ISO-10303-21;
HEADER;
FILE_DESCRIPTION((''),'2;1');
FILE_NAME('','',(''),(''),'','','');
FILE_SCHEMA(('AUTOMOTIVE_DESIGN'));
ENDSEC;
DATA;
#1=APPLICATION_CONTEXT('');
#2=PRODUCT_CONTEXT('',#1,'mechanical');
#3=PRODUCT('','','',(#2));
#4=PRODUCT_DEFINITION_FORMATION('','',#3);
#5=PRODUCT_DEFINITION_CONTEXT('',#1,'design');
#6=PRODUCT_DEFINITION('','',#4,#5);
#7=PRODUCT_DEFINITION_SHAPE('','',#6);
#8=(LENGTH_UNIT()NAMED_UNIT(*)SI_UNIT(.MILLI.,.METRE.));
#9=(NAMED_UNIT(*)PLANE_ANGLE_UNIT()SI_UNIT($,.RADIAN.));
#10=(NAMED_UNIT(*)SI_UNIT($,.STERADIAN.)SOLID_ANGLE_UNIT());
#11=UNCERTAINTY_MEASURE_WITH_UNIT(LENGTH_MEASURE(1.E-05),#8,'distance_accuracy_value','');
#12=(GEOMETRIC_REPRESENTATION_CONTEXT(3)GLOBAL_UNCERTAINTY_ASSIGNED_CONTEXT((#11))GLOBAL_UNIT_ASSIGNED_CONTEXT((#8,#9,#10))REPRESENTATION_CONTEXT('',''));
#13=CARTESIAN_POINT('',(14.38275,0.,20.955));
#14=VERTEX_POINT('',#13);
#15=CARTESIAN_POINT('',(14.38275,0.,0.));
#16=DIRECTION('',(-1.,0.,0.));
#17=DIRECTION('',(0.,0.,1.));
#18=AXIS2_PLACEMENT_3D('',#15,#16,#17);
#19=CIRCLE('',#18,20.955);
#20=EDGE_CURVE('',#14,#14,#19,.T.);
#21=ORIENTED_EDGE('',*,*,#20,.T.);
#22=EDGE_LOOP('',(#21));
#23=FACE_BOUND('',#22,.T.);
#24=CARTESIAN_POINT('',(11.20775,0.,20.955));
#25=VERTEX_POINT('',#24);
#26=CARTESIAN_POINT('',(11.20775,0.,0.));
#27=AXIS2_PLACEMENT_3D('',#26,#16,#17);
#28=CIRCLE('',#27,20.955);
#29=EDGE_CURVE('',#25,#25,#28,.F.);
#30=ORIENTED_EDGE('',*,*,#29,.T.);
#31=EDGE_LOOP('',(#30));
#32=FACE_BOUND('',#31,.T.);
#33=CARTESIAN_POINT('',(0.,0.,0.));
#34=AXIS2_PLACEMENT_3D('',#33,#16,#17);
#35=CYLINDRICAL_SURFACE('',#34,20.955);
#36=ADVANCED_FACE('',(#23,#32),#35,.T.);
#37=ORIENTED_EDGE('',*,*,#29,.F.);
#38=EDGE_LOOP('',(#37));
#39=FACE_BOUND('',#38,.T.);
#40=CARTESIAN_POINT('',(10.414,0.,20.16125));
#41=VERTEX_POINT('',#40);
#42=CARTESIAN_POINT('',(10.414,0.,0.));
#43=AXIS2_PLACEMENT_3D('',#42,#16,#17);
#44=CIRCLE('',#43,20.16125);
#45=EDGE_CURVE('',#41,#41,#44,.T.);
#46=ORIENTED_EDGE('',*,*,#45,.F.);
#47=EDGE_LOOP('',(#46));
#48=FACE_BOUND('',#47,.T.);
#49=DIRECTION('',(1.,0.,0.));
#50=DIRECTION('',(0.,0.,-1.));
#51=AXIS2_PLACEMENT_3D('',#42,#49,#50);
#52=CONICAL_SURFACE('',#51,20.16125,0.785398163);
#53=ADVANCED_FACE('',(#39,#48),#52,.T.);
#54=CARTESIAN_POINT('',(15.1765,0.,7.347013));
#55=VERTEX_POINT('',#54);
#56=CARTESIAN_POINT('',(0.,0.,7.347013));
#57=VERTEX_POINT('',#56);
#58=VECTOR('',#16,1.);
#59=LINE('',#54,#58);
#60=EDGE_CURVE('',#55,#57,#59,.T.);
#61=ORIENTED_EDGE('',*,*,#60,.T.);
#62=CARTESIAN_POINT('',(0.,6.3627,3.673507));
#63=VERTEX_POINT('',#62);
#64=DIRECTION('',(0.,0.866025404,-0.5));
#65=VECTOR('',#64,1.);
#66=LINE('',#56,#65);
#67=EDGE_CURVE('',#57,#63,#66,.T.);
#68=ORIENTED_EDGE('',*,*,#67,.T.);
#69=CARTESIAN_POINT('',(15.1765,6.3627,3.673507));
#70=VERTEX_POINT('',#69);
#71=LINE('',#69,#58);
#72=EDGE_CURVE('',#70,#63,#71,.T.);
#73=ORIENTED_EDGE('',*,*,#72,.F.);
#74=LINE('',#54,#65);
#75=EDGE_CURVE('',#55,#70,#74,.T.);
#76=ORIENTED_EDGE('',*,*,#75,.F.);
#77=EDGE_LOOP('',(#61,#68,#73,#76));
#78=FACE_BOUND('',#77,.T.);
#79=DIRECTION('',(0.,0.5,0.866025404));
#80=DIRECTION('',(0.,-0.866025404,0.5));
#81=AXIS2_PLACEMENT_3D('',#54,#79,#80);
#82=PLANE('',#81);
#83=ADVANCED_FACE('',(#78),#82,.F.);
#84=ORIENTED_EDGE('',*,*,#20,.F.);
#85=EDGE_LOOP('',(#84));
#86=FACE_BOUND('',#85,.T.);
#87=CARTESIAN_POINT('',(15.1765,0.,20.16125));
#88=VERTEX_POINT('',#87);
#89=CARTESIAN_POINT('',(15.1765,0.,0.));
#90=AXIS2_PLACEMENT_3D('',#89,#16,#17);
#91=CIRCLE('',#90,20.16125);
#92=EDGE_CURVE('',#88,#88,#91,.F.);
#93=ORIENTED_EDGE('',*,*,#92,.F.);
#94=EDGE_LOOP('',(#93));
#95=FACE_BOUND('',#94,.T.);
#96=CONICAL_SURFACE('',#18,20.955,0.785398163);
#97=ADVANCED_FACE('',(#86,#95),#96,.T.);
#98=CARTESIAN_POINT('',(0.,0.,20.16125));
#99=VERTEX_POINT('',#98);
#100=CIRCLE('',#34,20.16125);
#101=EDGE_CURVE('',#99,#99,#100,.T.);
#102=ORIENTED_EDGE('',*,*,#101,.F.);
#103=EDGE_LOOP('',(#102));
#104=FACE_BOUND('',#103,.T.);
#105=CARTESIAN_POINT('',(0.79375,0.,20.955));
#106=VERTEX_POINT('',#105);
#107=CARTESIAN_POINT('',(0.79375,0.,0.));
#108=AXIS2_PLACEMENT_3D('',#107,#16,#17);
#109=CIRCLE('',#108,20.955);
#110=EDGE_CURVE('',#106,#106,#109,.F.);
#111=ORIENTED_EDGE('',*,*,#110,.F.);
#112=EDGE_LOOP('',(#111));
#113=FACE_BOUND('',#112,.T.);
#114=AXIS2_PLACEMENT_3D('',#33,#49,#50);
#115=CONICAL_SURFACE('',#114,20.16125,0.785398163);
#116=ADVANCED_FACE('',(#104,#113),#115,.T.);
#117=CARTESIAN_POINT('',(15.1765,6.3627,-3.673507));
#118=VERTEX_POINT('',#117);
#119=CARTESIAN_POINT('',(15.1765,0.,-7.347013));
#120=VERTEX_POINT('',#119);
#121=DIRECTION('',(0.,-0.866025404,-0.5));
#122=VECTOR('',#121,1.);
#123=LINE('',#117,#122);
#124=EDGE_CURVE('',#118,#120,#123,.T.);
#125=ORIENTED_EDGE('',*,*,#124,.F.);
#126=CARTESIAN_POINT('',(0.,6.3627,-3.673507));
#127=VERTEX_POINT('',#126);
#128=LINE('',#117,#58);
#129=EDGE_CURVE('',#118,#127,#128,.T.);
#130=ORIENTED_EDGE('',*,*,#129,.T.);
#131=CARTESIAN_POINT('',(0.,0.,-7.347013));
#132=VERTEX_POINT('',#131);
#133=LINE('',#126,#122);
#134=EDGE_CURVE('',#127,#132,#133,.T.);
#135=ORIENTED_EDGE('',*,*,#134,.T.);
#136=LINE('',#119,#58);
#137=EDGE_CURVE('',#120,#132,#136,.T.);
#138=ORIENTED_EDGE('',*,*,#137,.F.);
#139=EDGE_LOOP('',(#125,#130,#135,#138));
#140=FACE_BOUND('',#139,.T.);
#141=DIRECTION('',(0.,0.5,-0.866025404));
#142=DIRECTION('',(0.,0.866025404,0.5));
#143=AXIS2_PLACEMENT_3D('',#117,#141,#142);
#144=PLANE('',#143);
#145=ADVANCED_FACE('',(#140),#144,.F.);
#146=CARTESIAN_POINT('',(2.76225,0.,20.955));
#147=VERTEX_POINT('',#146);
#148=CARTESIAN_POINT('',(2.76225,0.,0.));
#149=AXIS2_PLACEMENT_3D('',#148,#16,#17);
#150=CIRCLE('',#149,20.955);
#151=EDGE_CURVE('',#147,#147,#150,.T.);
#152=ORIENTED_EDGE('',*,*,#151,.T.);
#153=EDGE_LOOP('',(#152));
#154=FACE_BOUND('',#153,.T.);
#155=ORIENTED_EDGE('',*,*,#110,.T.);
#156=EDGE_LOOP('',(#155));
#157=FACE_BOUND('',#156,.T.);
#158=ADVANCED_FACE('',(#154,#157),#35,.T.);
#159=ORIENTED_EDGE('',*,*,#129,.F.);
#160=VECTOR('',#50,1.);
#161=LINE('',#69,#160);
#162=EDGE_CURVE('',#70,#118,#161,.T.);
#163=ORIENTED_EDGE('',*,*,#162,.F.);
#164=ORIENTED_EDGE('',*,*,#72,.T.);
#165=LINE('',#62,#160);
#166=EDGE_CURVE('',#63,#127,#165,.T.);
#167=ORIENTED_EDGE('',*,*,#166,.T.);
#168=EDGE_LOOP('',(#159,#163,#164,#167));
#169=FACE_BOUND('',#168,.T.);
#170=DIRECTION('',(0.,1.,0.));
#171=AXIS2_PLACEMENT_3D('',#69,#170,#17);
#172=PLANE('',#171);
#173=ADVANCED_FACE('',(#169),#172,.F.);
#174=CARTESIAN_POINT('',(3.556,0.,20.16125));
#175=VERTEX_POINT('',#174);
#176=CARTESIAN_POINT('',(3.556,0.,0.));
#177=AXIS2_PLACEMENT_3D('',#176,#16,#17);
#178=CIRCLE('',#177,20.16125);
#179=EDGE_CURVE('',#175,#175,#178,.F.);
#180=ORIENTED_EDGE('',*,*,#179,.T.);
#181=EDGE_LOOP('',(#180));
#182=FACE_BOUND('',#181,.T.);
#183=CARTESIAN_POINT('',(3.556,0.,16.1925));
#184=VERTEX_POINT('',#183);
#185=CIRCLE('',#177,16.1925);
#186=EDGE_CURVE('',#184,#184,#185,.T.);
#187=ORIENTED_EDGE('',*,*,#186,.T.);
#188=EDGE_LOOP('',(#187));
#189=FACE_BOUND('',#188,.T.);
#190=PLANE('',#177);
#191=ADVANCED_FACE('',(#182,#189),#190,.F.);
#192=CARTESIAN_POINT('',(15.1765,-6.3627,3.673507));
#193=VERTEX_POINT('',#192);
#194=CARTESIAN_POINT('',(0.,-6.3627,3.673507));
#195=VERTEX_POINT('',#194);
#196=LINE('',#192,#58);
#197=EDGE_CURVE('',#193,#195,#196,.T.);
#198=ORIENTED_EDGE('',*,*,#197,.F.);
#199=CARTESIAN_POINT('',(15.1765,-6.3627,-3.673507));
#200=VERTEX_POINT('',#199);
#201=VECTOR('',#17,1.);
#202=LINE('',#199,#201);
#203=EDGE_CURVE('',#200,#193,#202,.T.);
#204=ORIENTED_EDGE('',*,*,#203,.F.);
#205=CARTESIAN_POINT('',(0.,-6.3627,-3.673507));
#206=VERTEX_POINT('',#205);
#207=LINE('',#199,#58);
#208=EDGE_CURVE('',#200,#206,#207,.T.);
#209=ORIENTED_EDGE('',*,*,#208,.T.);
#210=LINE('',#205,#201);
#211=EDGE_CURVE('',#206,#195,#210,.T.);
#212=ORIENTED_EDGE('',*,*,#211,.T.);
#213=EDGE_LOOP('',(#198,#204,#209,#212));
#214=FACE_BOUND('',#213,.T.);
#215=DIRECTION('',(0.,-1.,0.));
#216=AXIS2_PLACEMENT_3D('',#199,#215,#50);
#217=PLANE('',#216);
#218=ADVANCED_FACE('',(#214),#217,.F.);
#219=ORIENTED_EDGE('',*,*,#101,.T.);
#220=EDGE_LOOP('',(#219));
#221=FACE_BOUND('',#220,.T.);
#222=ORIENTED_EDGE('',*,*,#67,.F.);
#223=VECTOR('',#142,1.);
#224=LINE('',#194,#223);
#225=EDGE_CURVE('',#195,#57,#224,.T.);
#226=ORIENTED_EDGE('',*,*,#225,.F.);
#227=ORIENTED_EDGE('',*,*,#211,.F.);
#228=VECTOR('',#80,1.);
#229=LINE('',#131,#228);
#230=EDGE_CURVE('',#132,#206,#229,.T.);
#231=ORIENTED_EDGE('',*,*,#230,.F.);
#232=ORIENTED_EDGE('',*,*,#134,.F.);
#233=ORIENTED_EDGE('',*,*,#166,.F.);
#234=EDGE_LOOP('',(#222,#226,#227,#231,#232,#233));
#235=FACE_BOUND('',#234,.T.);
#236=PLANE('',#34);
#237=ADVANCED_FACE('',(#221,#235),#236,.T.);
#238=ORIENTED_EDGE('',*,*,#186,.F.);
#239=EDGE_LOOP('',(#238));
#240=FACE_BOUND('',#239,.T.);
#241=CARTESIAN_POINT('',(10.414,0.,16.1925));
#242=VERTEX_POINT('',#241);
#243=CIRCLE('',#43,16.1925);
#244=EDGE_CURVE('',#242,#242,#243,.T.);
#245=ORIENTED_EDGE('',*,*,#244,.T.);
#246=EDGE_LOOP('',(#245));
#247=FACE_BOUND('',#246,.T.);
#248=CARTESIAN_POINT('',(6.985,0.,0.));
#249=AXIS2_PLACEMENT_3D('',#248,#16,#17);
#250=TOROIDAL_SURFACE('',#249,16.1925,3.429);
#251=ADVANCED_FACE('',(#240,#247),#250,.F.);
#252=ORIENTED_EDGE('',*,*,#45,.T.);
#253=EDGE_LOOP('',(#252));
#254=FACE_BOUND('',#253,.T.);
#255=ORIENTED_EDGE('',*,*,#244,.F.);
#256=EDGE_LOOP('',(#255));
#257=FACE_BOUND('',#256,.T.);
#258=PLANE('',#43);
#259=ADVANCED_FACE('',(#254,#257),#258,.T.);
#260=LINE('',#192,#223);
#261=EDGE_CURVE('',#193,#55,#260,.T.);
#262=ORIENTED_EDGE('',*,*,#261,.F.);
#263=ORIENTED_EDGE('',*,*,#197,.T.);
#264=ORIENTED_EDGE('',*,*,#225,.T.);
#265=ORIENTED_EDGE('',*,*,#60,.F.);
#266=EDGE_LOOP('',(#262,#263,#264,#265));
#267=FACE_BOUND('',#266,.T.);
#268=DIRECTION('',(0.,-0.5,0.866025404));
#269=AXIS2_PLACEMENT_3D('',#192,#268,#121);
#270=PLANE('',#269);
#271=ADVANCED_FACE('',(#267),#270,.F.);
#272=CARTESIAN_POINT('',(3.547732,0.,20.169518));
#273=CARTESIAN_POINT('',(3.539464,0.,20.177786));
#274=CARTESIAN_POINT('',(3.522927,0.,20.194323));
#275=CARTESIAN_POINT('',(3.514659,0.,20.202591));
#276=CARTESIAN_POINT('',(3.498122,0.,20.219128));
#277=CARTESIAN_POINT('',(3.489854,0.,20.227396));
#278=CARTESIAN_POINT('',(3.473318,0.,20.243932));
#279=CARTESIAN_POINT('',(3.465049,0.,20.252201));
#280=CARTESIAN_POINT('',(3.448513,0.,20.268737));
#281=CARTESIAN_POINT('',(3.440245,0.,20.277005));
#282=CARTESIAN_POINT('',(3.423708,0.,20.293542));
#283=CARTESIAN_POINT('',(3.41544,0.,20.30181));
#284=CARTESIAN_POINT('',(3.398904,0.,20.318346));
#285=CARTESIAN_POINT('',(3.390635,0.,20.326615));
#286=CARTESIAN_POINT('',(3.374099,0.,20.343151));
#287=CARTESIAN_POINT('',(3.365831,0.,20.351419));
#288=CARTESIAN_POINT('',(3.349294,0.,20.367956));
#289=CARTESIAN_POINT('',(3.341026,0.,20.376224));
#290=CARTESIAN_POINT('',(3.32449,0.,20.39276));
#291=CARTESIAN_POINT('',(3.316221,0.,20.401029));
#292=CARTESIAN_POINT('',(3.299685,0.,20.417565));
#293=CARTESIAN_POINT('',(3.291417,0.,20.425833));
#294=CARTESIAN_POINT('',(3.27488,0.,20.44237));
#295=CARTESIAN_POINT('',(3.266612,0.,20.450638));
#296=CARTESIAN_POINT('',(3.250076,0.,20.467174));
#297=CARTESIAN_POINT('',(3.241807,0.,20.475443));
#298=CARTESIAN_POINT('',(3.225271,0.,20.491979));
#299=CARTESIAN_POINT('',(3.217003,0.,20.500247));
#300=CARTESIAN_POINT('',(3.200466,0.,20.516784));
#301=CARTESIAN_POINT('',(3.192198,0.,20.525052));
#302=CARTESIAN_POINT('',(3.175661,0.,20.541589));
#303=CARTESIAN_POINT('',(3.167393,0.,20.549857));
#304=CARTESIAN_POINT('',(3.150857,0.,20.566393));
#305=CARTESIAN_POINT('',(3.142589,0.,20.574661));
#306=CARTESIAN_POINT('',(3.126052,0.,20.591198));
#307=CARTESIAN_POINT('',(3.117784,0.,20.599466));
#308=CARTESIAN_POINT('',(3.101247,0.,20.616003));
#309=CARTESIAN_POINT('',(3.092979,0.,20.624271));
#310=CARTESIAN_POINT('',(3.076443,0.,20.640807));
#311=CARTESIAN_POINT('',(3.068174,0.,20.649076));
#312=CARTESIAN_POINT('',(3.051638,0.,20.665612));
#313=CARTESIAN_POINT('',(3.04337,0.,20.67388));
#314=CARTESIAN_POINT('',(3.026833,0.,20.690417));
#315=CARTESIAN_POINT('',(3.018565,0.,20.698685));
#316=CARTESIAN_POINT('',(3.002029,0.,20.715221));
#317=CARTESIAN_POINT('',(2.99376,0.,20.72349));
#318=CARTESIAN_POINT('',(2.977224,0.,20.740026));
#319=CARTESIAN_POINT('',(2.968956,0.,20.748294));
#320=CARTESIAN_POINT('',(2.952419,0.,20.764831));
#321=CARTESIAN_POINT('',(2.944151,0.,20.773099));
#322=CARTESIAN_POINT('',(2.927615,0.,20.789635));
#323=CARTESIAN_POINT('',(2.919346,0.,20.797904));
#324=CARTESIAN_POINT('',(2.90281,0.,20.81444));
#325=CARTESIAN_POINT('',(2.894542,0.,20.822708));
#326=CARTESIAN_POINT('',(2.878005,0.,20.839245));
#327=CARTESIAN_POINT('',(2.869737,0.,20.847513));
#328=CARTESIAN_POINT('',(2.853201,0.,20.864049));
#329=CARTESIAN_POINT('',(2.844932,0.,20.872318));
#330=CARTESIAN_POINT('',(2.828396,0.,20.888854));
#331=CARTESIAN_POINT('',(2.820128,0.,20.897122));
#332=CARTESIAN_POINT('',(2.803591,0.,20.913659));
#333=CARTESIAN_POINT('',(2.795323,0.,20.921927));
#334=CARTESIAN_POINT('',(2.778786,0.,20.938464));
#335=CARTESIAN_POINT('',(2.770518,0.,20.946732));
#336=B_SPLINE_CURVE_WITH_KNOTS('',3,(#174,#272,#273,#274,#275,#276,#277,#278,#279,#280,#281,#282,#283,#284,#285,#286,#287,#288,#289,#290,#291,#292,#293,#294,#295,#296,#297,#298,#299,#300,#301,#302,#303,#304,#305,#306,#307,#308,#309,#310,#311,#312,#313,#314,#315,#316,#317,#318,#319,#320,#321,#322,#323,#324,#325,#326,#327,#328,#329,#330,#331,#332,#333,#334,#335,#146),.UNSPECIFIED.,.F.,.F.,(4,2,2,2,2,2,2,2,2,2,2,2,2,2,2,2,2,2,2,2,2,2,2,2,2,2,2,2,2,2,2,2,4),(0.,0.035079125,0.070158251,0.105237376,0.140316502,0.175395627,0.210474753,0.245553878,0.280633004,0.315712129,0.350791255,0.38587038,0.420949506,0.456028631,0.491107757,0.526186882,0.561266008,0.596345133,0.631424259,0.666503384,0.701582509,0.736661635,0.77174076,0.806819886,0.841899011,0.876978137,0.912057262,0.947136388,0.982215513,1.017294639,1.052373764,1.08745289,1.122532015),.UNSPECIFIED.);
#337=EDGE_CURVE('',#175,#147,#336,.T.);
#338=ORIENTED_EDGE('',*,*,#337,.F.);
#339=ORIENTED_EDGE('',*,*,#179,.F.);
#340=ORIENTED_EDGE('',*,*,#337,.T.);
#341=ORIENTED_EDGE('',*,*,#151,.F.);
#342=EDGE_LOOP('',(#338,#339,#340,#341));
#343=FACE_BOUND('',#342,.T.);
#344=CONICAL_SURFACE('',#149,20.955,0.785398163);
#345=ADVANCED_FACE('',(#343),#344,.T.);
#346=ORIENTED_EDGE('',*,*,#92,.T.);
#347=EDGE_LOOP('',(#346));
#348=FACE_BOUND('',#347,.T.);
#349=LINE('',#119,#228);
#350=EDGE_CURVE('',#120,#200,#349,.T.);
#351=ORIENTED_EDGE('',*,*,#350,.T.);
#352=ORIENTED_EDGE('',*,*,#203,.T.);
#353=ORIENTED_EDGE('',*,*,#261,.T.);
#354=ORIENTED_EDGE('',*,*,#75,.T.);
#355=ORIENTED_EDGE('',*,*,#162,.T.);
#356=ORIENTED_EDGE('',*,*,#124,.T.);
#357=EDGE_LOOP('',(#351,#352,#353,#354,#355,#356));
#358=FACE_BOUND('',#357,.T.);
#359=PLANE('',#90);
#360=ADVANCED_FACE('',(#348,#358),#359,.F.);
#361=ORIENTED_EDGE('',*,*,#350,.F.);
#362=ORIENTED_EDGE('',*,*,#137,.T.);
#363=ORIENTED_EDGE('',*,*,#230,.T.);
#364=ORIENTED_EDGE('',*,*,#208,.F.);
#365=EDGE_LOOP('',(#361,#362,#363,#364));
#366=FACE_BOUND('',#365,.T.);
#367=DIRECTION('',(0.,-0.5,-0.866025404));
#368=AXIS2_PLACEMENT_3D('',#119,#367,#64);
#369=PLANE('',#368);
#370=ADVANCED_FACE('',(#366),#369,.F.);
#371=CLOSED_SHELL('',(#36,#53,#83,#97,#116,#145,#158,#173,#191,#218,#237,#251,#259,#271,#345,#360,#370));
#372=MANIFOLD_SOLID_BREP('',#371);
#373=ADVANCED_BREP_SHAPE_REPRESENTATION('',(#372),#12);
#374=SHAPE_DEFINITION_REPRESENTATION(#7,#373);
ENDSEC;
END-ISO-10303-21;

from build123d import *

# Parameters (mm, degrees)
CHAMFER1_SIZE      = 0.79375
CUT_EXTRUDE1_DEPTH = 34.294897541
CHAMFER2_SIZE      = 0.79375


with BuildPart() as part:
    # Sketch1 → Revolve1 (revolve)
    with BuildSketch(Plane.XY, mode=Mode.PRIVATE) as revolve1_sk:
        with BuildLine():
            Line((0, 0), (15.1765, 0))
            Line((15.1765, 0), (15.1765, 20.955))
            Line((15.1765, 20.955), (10.414, 20.955))
            Line((10.414, 20.955), (10.414, 16.1925))
            ThreePointArc((10.414, 16.1925), (6.985, 12.7635), (3.556, 16.1925))
            Line((3.556, 16.1925), (3.556, 20.955))
            Line((3.556, 20.955), (0, 20.955))
            Line((0, 20.955), (0, 0))
        make_face()
    revolve(revolve1_sk.sketch.rotate(Axis((0, 0, 0), (1, 0, 0)), 90), axis=Axis((0, 0, 0), (1, 0, 0)))

    # Chamfer1
    chamfer1_edges = [part.edges().sort_by_distance(p)[0] for p in [
        (0, 0, -20.955),
    ]]
    chamfer(chamfer1_edges, length=CHAMFER1_SIZE)

    # Sketch2 → Cut-Extrude1 (cut, through all)
    with BuildSketch(Plane.ZY):
        Polygon((3.673506558, -6.3627), (7.347013116, 0), (3.673506558, 6.3627), (-3.673506558, 6.3627), (-7.347013116, 0), (-3.673506558, -6.3627), align=None)
    extrude(amount=-CUT_EXTRUDE1_DEPTH, mode=Mode.SUBTRACT)

    # Chamfer2
    chamfer2_edges = [part.edges().sort_by_distance(p)[0] for p in [
        (3.556, 0, -20.955),
        (10.414, 0, -20.955),
        (15.1765, 0, -20.955),
    ]]
    chamfer(chamfer2_edges, length=CHAMFER2_SIZE)


solid = part.part
